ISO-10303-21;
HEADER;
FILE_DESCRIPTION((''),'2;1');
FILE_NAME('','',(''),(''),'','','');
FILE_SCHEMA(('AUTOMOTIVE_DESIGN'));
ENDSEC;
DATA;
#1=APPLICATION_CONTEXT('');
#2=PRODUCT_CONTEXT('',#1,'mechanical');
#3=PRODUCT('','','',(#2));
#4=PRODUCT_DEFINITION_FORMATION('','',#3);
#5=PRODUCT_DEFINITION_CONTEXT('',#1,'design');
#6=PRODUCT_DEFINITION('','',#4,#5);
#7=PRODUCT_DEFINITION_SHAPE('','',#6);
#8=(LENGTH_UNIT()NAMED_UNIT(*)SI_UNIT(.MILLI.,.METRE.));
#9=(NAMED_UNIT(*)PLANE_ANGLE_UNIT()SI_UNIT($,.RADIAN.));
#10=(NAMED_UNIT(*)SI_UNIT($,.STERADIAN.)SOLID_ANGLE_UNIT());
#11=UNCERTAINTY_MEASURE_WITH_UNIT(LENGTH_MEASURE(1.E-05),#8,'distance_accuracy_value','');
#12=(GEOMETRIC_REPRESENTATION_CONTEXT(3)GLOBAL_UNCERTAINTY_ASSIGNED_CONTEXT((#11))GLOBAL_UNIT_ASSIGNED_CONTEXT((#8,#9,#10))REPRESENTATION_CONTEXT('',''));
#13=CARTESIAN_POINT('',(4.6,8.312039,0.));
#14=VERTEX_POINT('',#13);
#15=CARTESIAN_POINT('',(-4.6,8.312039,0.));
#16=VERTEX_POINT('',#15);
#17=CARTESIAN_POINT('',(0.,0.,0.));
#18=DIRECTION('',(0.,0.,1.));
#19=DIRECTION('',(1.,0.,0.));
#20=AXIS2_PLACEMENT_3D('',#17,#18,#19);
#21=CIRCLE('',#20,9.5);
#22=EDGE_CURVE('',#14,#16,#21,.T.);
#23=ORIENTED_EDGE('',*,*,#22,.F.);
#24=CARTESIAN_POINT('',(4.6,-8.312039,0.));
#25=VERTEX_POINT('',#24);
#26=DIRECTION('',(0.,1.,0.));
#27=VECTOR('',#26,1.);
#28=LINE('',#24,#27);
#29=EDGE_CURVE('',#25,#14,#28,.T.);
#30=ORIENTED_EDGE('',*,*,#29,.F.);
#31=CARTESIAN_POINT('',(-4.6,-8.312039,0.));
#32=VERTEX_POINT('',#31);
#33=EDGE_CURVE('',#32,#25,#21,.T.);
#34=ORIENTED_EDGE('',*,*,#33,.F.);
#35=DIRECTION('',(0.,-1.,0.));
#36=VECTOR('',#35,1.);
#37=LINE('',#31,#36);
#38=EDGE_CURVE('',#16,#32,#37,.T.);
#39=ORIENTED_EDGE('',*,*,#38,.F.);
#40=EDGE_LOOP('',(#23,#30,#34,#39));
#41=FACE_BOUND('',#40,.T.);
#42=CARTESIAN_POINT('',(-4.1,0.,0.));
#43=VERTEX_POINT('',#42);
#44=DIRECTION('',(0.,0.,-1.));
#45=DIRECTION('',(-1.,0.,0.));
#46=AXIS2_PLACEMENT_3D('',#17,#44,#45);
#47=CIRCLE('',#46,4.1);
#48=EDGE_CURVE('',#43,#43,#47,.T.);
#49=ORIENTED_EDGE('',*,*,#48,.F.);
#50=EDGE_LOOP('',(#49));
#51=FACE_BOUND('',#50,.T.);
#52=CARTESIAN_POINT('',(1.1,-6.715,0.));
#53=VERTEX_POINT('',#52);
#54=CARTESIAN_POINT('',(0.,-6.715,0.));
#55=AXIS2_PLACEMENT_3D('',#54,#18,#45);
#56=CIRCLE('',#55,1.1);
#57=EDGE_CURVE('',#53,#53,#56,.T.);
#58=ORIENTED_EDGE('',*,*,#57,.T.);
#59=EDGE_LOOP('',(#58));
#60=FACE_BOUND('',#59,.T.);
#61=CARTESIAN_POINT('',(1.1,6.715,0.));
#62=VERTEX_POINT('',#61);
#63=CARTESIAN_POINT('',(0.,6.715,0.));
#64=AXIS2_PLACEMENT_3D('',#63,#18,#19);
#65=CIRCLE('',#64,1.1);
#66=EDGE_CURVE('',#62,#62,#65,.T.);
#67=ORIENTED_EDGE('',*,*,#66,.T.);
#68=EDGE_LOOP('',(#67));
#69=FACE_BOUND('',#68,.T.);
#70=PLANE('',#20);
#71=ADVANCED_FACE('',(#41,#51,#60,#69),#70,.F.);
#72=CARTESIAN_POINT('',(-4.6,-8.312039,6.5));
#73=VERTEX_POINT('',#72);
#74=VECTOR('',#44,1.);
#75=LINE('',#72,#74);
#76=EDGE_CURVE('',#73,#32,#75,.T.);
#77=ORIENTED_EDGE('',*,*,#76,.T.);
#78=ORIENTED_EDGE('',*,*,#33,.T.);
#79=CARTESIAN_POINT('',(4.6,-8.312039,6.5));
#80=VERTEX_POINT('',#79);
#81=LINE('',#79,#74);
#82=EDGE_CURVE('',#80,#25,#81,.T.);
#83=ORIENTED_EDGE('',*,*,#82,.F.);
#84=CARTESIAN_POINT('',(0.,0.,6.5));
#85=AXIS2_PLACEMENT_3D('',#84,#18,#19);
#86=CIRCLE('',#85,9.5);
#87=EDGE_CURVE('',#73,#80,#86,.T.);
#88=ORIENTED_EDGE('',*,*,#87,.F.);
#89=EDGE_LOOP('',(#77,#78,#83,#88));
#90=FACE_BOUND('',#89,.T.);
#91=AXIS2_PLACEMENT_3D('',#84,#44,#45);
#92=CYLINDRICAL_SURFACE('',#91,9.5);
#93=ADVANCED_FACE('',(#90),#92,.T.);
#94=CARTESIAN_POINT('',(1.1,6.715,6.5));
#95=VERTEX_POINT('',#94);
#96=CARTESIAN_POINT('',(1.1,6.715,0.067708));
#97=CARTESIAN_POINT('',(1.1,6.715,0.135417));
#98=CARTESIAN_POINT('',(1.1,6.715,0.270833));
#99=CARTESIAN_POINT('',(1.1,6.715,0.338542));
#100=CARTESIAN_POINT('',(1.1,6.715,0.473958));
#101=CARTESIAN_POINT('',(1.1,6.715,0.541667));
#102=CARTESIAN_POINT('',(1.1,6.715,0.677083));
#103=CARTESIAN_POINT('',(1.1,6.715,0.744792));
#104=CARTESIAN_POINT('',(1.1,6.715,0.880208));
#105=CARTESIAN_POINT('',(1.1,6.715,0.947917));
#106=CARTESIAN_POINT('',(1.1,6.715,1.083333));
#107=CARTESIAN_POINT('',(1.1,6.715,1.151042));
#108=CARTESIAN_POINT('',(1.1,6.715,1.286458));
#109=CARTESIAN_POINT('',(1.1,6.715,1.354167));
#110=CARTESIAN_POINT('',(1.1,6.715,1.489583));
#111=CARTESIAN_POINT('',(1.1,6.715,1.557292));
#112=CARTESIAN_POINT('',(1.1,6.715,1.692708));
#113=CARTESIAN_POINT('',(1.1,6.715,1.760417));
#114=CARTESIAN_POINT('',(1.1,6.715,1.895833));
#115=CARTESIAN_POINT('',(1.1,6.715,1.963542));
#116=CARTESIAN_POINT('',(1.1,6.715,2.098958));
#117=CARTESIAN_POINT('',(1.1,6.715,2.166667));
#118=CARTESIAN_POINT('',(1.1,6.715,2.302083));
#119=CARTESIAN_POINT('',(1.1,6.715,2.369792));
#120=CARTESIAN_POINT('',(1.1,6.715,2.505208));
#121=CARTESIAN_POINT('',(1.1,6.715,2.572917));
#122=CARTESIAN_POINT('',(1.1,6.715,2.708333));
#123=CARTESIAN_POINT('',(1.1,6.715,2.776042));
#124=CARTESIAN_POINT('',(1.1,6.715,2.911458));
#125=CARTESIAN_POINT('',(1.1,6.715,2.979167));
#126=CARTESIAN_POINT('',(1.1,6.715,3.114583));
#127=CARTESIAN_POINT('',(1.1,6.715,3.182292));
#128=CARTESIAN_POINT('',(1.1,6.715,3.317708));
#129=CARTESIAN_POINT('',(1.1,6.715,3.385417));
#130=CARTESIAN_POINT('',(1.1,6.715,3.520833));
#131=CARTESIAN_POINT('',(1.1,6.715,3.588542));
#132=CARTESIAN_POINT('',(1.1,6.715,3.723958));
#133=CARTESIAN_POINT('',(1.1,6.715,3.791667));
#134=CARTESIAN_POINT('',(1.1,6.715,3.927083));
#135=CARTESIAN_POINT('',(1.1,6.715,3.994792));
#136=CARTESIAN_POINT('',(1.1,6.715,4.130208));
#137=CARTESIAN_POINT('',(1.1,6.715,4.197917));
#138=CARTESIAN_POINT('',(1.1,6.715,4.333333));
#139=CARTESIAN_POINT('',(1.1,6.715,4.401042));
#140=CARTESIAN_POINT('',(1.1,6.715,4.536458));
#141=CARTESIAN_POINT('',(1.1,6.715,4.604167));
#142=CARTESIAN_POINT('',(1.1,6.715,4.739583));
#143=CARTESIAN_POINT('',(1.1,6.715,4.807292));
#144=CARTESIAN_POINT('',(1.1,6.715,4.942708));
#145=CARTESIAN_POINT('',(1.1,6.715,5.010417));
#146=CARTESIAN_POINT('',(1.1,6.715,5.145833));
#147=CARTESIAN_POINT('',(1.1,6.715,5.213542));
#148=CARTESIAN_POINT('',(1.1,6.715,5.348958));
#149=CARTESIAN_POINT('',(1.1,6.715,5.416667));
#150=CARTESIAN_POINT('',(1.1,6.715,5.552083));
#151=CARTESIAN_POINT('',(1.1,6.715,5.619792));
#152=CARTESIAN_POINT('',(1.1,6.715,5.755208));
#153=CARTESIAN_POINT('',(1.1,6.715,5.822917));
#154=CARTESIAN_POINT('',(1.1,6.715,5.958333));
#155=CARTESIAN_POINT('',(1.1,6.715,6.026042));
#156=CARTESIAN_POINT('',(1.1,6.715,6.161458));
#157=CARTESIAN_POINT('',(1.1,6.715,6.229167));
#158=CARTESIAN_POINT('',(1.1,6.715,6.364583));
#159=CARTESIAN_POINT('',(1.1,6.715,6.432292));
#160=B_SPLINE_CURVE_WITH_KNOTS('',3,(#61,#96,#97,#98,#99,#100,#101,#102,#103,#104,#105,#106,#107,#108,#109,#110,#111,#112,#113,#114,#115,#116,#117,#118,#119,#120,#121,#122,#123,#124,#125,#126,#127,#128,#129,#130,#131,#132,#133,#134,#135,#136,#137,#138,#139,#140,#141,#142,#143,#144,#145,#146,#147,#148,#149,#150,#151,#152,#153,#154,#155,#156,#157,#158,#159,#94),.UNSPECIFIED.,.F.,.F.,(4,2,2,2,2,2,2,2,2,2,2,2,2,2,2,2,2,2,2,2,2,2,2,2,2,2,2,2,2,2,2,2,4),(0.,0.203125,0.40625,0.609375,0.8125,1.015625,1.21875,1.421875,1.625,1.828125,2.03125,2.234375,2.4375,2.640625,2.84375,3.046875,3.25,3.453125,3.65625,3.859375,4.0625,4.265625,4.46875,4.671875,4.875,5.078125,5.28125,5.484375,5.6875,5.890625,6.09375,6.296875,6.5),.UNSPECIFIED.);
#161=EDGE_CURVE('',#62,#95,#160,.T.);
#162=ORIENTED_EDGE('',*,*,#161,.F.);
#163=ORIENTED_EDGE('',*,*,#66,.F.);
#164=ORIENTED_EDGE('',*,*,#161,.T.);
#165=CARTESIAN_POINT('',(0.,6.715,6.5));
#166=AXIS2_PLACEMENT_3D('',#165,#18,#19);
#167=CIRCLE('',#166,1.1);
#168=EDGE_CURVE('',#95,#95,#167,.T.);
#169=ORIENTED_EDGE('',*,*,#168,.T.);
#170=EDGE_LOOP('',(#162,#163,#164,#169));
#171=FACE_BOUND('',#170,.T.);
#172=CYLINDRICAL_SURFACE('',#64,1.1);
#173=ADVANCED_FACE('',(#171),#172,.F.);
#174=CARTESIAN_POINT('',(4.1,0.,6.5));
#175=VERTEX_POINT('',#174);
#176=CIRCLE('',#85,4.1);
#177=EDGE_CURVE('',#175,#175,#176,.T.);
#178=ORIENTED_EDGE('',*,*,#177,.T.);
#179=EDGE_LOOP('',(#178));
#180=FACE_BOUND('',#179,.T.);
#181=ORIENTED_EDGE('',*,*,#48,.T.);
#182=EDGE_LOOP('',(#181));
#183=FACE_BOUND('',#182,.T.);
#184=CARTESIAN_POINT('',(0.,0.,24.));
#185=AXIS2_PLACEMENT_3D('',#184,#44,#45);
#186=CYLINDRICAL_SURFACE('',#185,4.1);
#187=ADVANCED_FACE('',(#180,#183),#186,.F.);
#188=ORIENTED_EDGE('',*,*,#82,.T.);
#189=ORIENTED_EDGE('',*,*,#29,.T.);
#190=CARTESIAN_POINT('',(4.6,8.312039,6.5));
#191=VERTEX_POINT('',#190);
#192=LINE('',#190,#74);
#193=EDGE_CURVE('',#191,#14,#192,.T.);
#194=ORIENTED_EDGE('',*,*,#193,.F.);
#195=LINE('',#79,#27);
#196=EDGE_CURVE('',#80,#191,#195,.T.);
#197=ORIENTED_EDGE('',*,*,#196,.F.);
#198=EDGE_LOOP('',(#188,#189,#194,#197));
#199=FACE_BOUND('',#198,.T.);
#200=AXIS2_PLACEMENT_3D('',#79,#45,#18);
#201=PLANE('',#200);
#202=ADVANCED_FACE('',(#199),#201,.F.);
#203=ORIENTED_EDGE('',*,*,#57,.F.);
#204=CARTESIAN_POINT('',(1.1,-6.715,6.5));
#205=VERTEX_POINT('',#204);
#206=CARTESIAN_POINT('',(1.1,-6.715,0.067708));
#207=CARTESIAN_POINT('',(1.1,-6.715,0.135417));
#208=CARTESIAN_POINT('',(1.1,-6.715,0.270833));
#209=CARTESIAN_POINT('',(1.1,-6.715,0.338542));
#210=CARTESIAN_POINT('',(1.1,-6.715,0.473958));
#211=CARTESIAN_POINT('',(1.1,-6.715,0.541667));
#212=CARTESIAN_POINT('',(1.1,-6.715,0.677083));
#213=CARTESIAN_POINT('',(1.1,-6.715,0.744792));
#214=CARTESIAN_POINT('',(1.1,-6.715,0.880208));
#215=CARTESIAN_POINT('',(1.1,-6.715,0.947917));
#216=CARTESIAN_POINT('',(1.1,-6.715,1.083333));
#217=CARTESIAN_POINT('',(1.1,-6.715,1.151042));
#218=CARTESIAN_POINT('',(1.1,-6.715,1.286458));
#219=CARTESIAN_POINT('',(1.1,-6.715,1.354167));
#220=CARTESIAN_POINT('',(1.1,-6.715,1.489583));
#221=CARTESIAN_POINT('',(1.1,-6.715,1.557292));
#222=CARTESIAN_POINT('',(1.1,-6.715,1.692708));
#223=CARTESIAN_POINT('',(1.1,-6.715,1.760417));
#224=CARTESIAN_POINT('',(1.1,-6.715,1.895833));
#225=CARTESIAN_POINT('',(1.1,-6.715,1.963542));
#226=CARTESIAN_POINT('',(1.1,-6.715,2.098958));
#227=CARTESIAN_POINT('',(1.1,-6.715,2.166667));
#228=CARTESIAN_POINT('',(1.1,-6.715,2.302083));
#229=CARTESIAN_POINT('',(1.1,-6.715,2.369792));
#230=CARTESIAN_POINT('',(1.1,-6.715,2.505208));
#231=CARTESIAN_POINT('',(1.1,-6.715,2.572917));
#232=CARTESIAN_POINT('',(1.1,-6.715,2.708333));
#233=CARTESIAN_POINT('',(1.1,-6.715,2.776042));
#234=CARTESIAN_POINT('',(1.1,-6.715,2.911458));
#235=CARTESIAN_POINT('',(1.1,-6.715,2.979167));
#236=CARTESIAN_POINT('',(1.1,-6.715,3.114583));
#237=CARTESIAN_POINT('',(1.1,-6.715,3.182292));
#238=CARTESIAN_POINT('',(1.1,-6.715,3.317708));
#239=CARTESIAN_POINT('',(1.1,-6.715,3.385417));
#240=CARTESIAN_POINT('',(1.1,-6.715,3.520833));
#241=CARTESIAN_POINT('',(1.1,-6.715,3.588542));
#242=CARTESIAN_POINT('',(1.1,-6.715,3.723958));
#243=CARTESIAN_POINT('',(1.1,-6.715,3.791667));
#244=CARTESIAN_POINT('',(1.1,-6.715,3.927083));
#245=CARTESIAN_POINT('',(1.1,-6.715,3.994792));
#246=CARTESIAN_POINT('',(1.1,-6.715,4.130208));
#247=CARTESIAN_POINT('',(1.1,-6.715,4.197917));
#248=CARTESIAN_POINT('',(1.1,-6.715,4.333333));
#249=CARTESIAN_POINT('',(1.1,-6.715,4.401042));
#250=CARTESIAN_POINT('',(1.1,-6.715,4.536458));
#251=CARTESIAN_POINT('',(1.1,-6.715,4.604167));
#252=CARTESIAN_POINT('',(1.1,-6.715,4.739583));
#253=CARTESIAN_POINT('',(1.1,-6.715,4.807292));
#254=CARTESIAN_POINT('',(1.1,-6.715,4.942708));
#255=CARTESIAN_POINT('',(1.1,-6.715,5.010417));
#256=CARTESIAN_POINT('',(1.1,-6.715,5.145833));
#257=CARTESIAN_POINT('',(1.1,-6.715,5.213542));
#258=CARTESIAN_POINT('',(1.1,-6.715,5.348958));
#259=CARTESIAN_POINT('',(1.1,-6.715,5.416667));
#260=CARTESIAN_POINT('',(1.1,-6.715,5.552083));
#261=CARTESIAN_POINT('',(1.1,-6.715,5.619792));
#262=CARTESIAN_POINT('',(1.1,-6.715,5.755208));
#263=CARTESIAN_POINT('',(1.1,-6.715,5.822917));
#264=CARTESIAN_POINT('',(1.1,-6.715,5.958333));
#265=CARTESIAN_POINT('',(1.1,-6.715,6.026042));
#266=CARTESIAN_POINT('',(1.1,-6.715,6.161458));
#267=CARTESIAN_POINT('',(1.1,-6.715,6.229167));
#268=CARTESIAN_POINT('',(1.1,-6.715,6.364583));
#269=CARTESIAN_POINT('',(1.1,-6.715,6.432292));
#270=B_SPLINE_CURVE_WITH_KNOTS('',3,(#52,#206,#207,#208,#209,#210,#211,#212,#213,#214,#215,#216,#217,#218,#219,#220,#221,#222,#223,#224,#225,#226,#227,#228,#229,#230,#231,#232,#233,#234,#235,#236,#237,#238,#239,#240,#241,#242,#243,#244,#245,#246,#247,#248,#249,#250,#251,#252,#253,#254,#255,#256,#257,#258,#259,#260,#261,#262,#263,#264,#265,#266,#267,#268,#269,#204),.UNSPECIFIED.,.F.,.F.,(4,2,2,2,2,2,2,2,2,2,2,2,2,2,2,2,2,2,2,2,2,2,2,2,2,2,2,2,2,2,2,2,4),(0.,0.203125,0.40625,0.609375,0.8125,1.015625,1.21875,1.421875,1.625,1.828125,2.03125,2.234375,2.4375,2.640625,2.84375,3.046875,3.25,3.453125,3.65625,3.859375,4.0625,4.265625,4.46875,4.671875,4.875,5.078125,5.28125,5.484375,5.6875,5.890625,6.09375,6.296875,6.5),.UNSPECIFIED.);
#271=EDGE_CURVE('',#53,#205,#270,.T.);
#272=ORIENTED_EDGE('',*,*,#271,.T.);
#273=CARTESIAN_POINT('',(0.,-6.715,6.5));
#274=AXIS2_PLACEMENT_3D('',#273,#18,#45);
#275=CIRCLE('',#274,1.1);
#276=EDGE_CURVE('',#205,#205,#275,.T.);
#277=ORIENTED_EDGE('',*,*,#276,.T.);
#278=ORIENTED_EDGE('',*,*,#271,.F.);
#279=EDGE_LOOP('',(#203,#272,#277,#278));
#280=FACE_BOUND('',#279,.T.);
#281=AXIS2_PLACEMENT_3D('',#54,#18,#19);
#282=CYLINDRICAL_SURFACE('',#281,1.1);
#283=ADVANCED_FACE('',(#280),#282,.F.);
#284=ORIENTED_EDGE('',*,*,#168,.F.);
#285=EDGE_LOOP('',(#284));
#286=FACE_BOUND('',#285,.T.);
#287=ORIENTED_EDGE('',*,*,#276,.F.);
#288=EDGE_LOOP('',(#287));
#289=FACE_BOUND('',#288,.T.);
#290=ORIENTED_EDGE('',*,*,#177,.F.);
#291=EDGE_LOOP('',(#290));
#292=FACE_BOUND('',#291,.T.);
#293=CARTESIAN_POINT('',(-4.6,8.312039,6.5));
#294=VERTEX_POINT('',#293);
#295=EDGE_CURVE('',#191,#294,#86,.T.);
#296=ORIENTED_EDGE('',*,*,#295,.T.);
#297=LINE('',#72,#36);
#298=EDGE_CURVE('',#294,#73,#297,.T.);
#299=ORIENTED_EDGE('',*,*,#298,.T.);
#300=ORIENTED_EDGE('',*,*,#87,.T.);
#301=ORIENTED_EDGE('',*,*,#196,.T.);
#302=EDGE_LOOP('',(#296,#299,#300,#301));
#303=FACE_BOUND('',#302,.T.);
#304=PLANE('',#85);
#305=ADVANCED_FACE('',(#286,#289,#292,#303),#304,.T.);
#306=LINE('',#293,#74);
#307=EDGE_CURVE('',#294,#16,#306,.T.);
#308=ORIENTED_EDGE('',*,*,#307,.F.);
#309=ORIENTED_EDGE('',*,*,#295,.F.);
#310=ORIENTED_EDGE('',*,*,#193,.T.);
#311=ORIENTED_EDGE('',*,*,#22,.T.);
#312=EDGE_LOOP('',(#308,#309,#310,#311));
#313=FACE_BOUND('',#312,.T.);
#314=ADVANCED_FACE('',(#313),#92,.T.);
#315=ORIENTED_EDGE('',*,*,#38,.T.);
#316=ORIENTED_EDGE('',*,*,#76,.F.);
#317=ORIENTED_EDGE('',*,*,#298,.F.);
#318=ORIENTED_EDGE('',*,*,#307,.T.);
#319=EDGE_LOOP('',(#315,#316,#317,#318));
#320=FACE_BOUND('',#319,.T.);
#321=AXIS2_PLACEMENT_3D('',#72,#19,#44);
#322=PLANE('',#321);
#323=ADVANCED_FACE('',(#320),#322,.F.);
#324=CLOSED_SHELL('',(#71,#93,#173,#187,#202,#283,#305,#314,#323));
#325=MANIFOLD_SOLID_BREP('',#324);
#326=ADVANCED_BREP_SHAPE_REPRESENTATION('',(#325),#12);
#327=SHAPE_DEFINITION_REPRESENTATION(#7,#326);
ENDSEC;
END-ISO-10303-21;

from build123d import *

# Parameters (mm, degrees)
EXTRUDE1_DEPTH     = 6.5
SKETCH3_R          = 1.1
CUT_EXTRUDE1_DEPTH = 13.395967086
SKETCH5_R          = 4.1
CUT_EXTRUDE2_DEPTH = 24


with BuildPart() as part:
    # Sketch1 → Extrude1 (new body)
    with BuildSketch(Plane.XY):
        with BuildLine():
            Line((-4.6, -8.312039461), (-4.6, 8.312039461))
            ThreePointArc((-4.6, 8.312039461), (0, 9.5), (4.6, 8.312039461))
            Line((4.6, 8.312039461), (4.6, -8.312039461))
            ThreePointArc((4.6, -8.312039461), (0, -9.5), (-4.6, -8.312039461))
        make_face()
    extrude(amount=EXTRUDE1_DEPTH)

    # Sketch3 → Cut-Extrude1 (cut, through all)
    with BuildSketch(Plane.XY.offset(6.5)):
        with Locations((0, 6.715)):
            Circle(SKETCH3_R)
        with Locations((0, -6.715)):
            Circle(SKETCH3_R)
    extrude(amount=-CUT_EXTRUDE1_DEPTH, mode=Mode.SUBTRACT)

    # Sketch5 → Cut-Extrude2 (cut)
    with BuildSketch(Plane(origin=(0, 0, 0), x_dir=(-1, 0, 0), z_dir=(0, 0, -1))):
        Circle(SKETCH5_R)
    extrude(amount=-CUT_EXTRUDE2_DEPTH, mode=Mode.SUBTRACT)


solid = part.part
